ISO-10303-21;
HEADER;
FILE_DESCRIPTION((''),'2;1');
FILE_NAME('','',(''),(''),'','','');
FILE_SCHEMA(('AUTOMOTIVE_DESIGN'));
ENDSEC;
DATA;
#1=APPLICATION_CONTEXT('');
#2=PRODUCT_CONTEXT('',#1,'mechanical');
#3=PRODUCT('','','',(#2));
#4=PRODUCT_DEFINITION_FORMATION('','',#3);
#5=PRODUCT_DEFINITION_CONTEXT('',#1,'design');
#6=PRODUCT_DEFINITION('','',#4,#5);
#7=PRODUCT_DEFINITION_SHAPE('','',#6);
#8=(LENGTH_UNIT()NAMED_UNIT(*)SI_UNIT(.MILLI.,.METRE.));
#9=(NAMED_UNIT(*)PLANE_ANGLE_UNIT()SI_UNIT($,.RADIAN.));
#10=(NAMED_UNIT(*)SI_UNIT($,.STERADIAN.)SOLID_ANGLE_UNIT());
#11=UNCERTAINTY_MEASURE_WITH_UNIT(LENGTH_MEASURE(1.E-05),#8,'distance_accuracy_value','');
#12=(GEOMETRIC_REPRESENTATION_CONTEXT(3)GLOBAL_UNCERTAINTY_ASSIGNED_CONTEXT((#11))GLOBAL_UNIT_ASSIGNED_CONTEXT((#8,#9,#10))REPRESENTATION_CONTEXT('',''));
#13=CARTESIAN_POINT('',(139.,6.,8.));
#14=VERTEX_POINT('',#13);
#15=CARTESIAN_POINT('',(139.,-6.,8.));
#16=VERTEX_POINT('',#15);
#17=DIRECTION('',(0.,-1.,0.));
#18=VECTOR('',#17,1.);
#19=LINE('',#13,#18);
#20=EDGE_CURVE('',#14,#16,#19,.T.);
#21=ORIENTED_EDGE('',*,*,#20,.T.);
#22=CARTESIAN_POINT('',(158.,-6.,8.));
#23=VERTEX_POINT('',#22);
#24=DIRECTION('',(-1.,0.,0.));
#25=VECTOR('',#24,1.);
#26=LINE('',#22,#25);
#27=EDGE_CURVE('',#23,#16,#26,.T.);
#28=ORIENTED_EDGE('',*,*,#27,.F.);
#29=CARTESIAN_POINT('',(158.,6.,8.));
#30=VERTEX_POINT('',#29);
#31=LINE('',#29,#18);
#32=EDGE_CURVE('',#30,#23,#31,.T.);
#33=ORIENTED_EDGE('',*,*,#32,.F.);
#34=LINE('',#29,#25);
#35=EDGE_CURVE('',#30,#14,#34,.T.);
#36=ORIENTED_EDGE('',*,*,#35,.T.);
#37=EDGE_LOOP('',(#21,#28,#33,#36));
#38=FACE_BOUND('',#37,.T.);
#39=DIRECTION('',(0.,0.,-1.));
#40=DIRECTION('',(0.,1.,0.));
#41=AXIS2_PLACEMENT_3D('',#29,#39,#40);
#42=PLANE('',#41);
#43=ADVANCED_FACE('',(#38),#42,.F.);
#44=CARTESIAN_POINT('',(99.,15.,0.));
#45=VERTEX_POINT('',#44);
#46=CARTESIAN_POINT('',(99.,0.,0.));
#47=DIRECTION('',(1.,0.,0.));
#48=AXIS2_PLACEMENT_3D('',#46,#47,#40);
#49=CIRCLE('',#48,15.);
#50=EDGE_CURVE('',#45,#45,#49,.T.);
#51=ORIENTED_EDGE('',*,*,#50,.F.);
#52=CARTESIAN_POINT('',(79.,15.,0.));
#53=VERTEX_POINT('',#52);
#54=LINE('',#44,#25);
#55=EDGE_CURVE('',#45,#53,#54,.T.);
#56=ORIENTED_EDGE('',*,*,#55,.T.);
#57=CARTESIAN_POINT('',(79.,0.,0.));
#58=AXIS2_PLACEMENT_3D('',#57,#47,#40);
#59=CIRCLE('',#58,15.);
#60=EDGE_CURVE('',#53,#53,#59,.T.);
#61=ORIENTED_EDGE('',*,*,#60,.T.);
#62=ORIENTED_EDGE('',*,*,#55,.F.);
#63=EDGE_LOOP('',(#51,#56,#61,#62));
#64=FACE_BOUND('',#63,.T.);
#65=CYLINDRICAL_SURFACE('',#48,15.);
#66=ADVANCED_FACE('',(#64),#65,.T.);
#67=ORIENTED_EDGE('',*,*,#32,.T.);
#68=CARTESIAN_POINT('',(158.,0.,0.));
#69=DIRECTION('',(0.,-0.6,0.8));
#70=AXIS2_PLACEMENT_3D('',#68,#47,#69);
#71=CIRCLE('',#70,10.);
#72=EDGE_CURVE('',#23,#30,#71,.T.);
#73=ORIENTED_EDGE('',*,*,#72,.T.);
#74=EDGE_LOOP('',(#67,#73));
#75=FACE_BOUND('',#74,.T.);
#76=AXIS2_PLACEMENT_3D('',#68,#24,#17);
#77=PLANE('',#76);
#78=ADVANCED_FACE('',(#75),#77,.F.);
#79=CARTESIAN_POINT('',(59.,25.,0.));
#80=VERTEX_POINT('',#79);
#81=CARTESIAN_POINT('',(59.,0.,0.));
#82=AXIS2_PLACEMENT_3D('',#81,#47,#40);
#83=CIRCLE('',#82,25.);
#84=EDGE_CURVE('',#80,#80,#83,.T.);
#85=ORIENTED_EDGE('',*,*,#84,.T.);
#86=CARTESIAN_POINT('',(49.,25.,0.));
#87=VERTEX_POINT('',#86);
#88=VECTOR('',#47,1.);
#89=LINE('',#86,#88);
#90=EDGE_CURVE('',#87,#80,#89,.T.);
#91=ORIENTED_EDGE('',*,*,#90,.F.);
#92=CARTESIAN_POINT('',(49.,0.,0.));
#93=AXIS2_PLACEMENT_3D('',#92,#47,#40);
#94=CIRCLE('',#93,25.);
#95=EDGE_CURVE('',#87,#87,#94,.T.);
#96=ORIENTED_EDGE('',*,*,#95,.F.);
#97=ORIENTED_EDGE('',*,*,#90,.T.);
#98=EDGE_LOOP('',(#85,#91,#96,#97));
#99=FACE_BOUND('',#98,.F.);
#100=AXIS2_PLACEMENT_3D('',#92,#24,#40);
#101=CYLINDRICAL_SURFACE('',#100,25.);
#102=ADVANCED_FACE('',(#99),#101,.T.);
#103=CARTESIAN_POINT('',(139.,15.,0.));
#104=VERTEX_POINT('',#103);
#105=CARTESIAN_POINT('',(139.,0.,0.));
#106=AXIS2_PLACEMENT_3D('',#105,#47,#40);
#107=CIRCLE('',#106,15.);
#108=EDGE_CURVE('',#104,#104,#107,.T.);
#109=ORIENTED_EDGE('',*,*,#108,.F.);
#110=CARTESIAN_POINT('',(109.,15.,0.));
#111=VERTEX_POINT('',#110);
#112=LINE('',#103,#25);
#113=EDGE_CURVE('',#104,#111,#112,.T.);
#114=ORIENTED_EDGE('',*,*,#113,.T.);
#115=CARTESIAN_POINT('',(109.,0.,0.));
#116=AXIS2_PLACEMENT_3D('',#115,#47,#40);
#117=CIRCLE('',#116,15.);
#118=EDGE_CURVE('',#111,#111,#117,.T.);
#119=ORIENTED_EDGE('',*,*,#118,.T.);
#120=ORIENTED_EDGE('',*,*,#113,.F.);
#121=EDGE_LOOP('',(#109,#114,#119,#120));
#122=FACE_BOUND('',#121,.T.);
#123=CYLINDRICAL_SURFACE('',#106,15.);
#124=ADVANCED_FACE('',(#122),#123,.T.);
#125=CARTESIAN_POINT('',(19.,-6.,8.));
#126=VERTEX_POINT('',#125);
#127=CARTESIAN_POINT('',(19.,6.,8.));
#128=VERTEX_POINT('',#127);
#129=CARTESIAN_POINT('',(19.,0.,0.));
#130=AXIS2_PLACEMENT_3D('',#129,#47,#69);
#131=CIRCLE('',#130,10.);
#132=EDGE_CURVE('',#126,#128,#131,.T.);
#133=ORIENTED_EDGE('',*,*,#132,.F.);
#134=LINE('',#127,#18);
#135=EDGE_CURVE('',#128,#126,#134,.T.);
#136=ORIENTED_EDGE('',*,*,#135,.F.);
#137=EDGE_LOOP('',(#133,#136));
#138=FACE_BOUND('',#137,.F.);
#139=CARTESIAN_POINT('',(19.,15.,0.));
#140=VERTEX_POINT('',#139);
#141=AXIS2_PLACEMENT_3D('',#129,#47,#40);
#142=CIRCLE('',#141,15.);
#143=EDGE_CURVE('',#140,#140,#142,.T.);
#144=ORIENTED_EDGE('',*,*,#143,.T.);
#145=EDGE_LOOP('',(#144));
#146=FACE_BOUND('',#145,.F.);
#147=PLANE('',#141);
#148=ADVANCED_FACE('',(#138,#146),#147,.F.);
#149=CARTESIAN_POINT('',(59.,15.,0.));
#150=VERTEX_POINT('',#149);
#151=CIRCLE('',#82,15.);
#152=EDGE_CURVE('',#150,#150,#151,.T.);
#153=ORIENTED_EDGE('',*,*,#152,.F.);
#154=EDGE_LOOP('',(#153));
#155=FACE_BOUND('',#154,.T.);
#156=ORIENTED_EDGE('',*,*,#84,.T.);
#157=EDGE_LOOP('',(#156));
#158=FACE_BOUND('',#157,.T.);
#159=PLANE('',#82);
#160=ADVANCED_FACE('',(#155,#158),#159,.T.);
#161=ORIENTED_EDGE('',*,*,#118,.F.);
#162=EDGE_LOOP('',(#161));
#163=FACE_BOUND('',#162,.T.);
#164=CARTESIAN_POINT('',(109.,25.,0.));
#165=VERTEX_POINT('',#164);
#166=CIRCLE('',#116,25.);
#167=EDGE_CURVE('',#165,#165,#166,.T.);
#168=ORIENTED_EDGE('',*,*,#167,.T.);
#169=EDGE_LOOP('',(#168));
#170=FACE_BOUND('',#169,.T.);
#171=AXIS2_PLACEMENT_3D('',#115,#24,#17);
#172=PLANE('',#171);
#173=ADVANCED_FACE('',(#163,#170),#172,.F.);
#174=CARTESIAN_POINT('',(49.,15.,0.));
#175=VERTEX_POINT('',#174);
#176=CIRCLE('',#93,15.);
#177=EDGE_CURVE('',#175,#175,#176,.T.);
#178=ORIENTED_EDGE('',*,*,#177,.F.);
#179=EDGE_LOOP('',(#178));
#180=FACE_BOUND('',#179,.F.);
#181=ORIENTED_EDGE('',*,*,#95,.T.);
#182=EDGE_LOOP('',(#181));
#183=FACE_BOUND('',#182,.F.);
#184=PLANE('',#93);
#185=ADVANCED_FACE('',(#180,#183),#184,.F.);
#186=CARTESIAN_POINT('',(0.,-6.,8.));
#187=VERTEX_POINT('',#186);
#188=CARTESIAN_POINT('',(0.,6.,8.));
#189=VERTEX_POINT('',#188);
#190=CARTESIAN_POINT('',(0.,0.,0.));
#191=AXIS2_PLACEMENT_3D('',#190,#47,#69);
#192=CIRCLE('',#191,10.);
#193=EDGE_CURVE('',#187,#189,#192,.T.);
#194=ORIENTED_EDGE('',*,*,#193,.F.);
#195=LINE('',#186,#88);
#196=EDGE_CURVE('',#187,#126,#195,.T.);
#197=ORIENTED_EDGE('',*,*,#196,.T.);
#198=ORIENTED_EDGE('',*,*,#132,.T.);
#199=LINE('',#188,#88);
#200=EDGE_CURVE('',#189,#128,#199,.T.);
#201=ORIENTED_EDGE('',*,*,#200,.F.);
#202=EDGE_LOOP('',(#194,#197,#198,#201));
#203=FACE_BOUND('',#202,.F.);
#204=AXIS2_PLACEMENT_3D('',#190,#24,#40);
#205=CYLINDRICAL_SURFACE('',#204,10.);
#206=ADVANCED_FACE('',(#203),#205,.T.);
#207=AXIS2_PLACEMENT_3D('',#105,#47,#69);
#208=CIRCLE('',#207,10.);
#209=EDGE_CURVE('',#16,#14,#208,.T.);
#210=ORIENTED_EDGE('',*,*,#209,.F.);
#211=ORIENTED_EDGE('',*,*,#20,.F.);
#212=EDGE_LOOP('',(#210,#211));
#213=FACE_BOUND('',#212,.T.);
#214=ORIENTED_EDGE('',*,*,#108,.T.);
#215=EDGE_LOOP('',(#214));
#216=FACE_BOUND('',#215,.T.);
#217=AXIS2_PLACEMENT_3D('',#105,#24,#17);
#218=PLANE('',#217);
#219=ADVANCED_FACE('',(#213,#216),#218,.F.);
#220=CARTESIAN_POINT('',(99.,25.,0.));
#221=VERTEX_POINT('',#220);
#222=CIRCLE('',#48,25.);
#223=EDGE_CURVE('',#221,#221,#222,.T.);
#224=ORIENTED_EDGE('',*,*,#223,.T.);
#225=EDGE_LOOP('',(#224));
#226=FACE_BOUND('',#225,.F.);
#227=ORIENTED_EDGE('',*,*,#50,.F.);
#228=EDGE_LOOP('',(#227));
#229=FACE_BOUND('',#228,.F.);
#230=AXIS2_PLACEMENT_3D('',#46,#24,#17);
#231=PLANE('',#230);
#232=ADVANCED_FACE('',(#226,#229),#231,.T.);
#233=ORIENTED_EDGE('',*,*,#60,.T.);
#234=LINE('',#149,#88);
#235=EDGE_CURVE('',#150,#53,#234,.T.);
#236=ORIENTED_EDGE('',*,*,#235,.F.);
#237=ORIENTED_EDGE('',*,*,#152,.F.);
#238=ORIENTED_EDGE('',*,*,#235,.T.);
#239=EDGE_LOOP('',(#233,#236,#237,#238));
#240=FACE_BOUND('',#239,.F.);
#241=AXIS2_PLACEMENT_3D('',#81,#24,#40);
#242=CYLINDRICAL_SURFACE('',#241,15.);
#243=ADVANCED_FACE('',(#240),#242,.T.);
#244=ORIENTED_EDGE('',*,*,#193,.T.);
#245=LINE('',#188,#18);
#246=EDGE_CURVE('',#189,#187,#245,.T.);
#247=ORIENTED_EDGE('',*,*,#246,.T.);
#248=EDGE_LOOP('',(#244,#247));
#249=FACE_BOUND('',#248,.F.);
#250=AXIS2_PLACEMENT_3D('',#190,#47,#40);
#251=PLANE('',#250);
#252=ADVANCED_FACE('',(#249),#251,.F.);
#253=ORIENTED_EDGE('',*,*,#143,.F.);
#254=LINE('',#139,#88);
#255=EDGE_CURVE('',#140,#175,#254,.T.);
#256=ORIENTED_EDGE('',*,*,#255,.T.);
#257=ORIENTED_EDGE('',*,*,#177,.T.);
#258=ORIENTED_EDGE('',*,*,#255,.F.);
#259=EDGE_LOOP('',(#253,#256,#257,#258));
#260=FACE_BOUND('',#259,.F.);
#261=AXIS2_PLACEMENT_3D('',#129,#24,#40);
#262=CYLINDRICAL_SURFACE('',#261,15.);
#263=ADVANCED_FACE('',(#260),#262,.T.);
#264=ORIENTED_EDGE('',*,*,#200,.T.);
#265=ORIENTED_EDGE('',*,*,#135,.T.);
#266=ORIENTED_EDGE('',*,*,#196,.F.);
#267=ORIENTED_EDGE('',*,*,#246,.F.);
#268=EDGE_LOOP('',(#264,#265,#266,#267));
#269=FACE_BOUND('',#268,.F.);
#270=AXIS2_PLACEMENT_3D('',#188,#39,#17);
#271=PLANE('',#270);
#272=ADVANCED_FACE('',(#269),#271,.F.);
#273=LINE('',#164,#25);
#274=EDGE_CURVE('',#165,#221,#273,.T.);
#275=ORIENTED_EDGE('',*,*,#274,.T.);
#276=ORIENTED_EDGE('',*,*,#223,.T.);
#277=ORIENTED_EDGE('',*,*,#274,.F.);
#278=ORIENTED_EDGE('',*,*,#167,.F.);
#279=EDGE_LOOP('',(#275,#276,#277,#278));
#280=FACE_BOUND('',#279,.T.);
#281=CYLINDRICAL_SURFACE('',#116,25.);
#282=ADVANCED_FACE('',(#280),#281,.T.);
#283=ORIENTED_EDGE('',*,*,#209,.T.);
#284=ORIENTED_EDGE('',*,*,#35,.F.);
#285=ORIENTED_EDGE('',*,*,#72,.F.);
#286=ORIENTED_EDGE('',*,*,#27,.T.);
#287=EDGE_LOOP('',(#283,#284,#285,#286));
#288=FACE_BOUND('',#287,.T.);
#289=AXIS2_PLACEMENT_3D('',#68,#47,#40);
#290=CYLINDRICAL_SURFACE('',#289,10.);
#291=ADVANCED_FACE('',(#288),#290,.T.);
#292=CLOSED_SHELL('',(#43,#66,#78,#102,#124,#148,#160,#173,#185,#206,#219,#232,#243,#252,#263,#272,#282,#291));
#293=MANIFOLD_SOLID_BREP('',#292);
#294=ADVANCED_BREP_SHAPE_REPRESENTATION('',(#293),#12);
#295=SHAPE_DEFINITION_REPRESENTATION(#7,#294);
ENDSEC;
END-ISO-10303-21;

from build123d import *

# Parameters (mm, degrees)
F0_R     = 10
F1_DEPTH = 19
F2_R     = 15
F3_DEPTH = 30
F4_R     = 25
F5_DEPTH = 10
F6_R     = 15
F7_DEPTH = 20
F9_DEPTH = 19


with BuildPart() as f1:
    # F0 (on Right) → F1 (new body)
    with BuildSketch(Plane.YZ):
        Circle(F0_R)
    extrude(amount=F1_DEPTH)

    # F2 (on face) → F3 (join)
    with BuildSketch(Plane.YZ.offset(19)):
        Circle(F2_R)
    extrude(amount=F3_DEPTH)

    # F4 (on face) → F5 (join)
    with BuildSketch(Plane.YZ.offset(49)):
        Circle(F4_R)
    extrude(amount=F5_DEPTH)

    # F6 (on face) → F7 (join)
    with BuildSketch(Plane.YZ.offset(59)):
        Circle(F6_R)
    extrude(amount=F7_DEPTH)

    # F8 (on face) → F9 (cut, through all)
    with BuildSketch(Plane(origin=(0, 0, 0), x_dir=(0, -1, 0), z_dir=(-1, 0, 0))):
        with BuildLine():
            ThreePointArc((6, 8), (0, 10), (-6, 8))
            Line((-6, 8), (6, 8))
        make_face()
    extrude(amount=-F9_DEPTH, mode=Mode.SUBTRACT)

    # F10: F1 across face


with BuildPart() as f1_1:
    add(f1.part)
    add(f1.part.mirror(Plane.YZ.offset(79)))


solid = f1_1.part
